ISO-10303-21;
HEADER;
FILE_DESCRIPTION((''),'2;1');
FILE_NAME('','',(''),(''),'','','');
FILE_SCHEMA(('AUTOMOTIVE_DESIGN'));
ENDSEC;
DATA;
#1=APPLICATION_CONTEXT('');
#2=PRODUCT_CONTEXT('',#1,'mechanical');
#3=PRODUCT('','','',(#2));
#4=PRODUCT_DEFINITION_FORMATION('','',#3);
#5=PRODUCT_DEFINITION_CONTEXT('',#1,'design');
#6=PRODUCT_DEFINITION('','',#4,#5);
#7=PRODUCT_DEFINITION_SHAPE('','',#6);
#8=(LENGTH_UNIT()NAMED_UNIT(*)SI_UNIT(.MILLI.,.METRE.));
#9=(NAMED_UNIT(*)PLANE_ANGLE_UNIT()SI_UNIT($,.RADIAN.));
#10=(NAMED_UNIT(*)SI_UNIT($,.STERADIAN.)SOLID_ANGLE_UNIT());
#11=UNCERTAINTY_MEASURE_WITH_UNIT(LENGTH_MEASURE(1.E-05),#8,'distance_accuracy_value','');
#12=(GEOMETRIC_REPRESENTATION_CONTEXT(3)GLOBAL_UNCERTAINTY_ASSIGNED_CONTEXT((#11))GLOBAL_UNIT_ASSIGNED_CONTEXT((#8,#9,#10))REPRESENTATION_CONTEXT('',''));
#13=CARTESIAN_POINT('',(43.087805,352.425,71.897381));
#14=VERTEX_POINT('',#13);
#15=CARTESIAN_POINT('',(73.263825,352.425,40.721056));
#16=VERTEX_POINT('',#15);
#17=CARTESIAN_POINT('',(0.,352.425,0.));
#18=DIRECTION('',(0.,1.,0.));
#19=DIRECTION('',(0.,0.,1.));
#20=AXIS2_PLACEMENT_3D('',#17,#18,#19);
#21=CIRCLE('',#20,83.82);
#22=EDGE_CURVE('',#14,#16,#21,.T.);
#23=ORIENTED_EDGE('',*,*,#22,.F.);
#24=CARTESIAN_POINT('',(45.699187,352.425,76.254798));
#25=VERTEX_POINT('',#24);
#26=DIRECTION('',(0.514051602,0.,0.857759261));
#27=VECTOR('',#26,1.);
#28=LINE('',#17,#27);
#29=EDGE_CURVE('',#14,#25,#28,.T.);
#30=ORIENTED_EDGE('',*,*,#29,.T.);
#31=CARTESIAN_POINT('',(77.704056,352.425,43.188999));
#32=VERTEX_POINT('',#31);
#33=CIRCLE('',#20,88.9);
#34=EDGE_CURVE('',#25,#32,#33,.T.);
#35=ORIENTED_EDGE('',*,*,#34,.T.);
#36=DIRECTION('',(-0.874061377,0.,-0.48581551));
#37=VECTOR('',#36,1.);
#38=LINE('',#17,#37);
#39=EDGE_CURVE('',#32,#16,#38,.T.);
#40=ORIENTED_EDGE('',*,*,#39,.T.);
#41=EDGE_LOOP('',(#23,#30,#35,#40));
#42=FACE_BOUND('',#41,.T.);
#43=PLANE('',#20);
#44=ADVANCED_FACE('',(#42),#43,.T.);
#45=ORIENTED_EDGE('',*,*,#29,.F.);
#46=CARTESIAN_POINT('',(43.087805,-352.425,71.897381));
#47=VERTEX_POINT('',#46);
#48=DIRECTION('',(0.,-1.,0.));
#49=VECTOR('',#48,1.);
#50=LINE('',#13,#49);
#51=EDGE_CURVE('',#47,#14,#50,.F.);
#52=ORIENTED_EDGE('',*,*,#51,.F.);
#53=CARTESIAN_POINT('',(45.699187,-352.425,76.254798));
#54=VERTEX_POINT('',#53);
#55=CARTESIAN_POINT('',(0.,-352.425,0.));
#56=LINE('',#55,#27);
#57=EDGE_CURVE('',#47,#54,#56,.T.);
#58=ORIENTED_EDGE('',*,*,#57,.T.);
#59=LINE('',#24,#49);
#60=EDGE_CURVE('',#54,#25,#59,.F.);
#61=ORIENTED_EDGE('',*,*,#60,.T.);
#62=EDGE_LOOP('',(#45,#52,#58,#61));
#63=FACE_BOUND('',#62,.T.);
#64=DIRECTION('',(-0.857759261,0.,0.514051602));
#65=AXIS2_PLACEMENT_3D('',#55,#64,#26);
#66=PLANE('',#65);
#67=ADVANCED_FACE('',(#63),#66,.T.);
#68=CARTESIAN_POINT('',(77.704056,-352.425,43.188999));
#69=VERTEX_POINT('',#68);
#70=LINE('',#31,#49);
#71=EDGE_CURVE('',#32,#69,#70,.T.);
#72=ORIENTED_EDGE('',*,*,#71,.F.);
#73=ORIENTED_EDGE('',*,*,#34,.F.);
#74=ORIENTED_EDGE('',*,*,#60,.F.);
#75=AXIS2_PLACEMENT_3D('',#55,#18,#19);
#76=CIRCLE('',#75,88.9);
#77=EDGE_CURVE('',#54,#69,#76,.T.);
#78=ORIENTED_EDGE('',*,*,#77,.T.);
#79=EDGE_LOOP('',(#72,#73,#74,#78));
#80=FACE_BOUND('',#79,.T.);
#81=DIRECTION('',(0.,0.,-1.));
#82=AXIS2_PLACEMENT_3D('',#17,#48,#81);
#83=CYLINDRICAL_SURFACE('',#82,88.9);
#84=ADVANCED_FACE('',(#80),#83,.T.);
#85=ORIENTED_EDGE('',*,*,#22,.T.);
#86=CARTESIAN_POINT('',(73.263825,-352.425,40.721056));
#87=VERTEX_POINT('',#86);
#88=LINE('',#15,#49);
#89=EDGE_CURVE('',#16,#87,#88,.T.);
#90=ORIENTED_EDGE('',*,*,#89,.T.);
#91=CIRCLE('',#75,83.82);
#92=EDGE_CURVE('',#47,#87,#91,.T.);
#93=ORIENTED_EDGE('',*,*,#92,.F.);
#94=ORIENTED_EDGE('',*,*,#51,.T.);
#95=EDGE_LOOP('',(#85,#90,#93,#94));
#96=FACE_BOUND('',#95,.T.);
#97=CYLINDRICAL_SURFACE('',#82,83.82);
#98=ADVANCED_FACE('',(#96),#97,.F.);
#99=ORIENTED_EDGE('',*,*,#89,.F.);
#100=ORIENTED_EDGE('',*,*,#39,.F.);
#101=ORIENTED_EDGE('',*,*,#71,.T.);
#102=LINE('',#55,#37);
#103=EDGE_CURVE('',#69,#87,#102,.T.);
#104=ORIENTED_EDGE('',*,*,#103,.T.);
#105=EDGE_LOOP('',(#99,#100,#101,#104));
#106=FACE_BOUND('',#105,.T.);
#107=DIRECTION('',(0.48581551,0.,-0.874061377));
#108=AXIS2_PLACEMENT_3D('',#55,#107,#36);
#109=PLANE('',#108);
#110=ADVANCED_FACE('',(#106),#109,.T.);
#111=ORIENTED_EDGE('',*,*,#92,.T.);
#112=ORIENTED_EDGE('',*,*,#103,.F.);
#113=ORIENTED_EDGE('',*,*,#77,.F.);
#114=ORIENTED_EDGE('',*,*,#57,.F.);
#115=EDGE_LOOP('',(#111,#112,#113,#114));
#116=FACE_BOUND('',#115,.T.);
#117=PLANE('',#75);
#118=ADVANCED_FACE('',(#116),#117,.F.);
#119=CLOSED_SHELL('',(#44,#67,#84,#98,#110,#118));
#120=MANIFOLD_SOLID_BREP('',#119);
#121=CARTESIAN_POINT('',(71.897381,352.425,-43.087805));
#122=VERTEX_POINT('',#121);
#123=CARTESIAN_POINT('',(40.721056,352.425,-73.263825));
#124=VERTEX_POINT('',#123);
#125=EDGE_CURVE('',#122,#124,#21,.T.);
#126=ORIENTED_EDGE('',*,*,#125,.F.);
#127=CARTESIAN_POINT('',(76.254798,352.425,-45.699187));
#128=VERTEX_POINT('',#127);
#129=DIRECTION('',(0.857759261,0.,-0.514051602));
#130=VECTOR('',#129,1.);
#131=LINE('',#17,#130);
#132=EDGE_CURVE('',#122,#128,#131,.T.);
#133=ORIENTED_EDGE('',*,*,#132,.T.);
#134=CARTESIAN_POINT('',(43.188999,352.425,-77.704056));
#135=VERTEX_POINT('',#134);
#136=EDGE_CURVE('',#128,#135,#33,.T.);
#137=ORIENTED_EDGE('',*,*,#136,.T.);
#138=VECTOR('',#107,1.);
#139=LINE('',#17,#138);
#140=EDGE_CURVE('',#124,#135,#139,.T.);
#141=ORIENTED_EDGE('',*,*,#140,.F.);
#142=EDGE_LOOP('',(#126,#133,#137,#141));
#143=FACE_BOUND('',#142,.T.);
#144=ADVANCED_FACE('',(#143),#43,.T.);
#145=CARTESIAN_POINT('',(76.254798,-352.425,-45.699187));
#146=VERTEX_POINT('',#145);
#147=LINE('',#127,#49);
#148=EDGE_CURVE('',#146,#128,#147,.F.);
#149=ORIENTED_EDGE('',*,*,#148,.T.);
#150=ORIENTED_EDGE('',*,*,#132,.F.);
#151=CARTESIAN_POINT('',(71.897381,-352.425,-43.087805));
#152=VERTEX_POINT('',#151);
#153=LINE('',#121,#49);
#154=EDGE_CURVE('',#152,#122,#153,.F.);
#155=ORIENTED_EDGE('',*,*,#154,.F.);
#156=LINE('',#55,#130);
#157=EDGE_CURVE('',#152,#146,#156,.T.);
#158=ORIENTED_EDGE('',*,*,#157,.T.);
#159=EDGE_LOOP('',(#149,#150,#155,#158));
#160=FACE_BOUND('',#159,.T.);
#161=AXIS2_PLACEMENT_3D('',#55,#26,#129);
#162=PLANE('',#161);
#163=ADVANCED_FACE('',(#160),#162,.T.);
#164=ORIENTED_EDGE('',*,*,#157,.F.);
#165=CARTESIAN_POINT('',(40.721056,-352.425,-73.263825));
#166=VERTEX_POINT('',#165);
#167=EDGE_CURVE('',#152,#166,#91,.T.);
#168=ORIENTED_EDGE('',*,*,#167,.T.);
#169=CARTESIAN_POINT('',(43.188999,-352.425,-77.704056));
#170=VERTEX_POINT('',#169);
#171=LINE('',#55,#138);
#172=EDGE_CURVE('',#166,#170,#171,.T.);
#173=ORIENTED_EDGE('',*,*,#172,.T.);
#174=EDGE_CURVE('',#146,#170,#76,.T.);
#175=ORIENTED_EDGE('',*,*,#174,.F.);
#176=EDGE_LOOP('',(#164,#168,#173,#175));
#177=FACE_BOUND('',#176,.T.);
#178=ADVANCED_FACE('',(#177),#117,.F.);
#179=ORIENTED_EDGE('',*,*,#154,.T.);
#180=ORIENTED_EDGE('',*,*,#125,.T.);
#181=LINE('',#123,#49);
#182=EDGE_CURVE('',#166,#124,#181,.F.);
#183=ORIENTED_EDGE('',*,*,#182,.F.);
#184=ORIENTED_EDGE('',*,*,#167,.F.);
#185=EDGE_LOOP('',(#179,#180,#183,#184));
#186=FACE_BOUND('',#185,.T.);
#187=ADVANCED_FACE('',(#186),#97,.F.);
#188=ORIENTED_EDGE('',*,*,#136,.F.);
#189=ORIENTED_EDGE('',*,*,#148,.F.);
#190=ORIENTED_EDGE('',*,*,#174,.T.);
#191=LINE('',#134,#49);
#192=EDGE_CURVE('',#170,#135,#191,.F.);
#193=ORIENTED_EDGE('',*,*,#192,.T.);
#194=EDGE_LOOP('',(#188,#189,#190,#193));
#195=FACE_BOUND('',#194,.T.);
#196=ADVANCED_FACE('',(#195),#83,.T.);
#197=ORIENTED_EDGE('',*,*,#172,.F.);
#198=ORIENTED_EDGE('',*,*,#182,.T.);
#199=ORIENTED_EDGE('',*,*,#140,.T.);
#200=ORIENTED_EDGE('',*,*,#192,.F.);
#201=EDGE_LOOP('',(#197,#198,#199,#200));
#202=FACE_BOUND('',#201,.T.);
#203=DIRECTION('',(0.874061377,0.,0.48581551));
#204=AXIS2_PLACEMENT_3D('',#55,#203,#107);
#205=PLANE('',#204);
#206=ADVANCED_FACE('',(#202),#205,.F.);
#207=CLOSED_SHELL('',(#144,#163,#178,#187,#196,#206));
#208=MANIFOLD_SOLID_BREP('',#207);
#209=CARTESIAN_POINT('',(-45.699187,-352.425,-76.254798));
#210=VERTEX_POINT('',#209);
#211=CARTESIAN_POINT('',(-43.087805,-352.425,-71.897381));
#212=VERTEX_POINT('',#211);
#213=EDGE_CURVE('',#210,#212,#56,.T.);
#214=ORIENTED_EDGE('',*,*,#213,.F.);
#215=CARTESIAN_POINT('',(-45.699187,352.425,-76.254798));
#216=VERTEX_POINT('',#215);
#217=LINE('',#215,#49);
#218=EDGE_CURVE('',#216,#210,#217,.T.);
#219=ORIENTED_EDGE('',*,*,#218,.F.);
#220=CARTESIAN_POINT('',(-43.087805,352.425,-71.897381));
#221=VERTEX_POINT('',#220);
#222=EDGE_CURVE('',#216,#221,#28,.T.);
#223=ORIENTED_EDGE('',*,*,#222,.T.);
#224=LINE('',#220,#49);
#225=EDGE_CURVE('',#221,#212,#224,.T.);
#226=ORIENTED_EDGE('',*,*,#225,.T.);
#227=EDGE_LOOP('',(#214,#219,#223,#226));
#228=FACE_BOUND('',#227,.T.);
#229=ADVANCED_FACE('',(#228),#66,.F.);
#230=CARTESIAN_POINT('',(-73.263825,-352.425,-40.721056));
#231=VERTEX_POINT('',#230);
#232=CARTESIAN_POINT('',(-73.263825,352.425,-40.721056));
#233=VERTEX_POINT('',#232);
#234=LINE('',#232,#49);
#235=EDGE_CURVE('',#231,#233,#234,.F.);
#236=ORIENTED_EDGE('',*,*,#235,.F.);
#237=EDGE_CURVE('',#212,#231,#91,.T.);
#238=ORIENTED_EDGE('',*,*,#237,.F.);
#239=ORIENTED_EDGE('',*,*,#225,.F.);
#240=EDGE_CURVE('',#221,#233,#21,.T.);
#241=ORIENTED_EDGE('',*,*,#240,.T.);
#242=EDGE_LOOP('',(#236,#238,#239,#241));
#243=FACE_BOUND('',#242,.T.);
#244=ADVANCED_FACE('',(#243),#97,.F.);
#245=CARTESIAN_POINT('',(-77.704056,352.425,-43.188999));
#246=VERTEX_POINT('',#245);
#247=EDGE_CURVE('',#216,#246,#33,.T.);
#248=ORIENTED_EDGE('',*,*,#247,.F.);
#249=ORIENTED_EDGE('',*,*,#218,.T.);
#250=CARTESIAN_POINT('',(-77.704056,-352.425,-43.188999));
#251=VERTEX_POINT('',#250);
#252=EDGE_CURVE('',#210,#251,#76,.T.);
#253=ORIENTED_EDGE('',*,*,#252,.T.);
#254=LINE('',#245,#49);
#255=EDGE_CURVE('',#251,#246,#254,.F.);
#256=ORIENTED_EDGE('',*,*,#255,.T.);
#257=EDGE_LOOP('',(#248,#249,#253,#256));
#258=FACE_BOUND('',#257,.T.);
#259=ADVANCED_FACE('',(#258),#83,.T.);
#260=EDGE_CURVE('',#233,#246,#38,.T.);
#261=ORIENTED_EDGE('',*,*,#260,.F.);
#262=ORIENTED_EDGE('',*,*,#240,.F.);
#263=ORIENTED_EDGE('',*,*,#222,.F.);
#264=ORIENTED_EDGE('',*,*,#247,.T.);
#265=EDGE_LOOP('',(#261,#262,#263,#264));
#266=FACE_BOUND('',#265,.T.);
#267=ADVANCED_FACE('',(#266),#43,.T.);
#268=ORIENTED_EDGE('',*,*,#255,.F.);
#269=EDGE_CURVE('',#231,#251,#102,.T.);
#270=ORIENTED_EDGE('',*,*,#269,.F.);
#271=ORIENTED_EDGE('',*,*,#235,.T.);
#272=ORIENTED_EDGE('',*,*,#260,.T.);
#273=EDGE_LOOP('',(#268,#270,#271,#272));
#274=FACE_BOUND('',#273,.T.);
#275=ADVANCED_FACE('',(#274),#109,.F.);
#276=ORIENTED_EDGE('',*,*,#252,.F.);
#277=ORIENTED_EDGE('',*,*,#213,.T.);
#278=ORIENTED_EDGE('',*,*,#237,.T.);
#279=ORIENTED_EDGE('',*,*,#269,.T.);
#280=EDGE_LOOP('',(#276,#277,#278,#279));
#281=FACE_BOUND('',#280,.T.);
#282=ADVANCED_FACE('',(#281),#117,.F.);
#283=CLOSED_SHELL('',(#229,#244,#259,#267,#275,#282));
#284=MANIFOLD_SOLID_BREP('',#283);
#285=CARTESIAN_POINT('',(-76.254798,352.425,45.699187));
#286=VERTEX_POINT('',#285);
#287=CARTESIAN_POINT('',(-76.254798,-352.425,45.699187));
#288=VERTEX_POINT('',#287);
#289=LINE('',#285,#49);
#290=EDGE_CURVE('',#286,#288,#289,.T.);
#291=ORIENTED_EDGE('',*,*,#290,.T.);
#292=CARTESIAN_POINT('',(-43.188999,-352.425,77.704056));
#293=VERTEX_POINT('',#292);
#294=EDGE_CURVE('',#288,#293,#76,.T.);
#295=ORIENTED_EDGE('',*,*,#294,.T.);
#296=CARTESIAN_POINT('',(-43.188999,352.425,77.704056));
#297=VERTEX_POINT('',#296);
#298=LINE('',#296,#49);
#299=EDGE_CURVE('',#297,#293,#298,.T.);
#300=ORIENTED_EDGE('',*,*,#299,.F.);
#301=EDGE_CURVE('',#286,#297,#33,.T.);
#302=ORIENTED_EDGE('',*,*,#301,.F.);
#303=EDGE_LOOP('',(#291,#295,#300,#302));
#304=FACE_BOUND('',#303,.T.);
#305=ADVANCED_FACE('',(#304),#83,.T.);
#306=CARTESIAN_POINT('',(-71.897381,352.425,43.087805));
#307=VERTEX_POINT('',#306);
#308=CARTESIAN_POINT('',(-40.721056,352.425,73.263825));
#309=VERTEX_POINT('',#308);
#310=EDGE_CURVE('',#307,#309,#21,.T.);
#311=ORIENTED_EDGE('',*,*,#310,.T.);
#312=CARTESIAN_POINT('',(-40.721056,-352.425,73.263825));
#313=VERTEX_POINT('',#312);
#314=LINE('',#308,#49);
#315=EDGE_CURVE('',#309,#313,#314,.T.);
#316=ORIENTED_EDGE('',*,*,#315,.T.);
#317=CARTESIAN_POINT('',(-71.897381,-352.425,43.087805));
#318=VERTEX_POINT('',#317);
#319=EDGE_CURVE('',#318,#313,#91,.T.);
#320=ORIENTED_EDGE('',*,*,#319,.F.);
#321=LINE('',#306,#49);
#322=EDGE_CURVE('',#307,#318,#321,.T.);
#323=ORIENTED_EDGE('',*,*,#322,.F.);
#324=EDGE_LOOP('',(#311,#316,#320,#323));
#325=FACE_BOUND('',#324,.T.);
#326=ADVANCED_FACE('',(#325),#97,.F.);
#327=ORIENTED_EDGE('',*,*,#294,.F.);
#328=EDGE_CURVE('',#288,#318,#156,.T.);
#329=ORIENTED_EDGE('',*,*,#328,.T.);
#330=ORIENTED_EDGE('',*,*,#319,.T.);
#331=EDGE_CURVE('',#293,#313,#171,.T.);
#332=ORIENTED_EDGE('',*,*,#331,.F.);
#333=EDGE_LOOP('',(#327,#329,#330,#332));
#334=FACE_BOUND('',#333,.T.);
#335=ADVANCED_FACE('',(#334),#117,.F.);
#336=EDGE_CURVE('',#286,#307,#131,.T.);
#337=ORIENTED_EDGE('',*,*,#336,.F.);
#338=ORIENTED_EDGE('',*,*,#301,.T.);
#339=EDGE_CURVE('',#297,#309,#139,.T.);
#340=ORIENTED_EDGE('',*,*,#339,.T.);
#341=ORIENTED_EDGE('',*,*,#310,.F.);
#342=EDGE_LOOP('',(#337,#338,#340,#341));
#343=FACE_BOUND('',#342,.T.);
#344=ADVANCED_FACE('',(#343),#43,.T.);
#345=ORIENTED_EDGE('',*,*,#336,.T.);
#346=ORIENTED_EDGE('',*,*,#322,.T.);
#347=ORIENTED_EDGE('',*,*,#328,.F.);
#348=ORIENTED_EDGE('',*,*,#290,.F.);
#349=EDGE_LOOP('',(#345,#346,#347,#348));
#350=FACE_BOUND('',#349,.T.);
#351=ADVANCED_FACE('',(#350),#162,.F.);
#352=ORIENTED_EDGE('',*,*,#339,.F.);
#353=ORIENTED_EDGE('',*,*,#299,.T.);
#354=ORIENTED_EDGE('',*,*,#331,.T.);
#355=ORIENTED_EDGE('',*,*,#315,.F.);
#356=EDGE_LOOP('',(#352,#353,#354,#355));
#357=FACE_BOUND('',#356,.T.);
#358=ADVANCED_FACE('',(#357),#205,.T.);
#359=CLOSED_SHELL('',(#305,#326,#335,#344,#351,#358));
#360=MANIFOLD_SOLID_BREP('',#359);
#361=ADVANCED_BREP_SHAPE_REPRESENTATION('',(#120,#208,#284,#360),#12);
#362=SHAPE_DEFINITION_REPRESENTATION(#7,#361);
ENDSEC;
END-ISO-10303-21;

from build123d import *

# Parameters (mm, degrees)
SKETCH2_R               = 88.9
SKETCH2_R_2             = 83.82
BOSS_EXTRUDE1_DEPTH     = 352.425
CUT_EXTRUDE1_DEPTH      = 353.425
CUT_EXTRUDE1_DEPTH_BACK = 353.425


with BuildPart() as part:
    # Sketch2 → Boss-Extrude1 (new body, symmetric)
    with BuildSketch(Plane(origin=(0, 0, 0), x_dir=(1, 0, 0), z_dir=(0, 1, 0))):
        Circle(SKETCH2_R)
        Circle(SKETCH2_R_2, mode=Mode.SUBTRACT)
    extrude(amount=BOSS_EXTRUDE1_DEPTH, both=True)

    # Sketch3 → Cut-Extrude1 (cut, two sides)
    with BuildSketch(Plane(origin=(0, 0, 0), x_dir=(1, 0, 0), z_dir=(0, 1, 0))) as cut_extrude1_sk:
        Polygon((169.661755759, -94.300371224), (0, 0), (169.661755759, 101.677593364), align=None)
        Polygon((0, 0), (53.900027233, 96.974944394), (-58.116685864, 96.974944394), align=None)
        Polygon((-123.741299607, 68.777140945), (-123.741299607, -74.157652604), (0, 0), align=None)
        Polygon((-65.840936026, -118.45858783), (0, 0), (70.991745134, -118.45858783), align=None)
    extrude(amount=CUT_EXTRUDE1_DEPTH, mode=Mode.SUBTRACT)
    extrude(cut_extrude1_sk.sketch, amount=-CUT_EXTRUDE1_DEPTH_BACK, mode=Mode.SUBTRACT)


solid = part.part
